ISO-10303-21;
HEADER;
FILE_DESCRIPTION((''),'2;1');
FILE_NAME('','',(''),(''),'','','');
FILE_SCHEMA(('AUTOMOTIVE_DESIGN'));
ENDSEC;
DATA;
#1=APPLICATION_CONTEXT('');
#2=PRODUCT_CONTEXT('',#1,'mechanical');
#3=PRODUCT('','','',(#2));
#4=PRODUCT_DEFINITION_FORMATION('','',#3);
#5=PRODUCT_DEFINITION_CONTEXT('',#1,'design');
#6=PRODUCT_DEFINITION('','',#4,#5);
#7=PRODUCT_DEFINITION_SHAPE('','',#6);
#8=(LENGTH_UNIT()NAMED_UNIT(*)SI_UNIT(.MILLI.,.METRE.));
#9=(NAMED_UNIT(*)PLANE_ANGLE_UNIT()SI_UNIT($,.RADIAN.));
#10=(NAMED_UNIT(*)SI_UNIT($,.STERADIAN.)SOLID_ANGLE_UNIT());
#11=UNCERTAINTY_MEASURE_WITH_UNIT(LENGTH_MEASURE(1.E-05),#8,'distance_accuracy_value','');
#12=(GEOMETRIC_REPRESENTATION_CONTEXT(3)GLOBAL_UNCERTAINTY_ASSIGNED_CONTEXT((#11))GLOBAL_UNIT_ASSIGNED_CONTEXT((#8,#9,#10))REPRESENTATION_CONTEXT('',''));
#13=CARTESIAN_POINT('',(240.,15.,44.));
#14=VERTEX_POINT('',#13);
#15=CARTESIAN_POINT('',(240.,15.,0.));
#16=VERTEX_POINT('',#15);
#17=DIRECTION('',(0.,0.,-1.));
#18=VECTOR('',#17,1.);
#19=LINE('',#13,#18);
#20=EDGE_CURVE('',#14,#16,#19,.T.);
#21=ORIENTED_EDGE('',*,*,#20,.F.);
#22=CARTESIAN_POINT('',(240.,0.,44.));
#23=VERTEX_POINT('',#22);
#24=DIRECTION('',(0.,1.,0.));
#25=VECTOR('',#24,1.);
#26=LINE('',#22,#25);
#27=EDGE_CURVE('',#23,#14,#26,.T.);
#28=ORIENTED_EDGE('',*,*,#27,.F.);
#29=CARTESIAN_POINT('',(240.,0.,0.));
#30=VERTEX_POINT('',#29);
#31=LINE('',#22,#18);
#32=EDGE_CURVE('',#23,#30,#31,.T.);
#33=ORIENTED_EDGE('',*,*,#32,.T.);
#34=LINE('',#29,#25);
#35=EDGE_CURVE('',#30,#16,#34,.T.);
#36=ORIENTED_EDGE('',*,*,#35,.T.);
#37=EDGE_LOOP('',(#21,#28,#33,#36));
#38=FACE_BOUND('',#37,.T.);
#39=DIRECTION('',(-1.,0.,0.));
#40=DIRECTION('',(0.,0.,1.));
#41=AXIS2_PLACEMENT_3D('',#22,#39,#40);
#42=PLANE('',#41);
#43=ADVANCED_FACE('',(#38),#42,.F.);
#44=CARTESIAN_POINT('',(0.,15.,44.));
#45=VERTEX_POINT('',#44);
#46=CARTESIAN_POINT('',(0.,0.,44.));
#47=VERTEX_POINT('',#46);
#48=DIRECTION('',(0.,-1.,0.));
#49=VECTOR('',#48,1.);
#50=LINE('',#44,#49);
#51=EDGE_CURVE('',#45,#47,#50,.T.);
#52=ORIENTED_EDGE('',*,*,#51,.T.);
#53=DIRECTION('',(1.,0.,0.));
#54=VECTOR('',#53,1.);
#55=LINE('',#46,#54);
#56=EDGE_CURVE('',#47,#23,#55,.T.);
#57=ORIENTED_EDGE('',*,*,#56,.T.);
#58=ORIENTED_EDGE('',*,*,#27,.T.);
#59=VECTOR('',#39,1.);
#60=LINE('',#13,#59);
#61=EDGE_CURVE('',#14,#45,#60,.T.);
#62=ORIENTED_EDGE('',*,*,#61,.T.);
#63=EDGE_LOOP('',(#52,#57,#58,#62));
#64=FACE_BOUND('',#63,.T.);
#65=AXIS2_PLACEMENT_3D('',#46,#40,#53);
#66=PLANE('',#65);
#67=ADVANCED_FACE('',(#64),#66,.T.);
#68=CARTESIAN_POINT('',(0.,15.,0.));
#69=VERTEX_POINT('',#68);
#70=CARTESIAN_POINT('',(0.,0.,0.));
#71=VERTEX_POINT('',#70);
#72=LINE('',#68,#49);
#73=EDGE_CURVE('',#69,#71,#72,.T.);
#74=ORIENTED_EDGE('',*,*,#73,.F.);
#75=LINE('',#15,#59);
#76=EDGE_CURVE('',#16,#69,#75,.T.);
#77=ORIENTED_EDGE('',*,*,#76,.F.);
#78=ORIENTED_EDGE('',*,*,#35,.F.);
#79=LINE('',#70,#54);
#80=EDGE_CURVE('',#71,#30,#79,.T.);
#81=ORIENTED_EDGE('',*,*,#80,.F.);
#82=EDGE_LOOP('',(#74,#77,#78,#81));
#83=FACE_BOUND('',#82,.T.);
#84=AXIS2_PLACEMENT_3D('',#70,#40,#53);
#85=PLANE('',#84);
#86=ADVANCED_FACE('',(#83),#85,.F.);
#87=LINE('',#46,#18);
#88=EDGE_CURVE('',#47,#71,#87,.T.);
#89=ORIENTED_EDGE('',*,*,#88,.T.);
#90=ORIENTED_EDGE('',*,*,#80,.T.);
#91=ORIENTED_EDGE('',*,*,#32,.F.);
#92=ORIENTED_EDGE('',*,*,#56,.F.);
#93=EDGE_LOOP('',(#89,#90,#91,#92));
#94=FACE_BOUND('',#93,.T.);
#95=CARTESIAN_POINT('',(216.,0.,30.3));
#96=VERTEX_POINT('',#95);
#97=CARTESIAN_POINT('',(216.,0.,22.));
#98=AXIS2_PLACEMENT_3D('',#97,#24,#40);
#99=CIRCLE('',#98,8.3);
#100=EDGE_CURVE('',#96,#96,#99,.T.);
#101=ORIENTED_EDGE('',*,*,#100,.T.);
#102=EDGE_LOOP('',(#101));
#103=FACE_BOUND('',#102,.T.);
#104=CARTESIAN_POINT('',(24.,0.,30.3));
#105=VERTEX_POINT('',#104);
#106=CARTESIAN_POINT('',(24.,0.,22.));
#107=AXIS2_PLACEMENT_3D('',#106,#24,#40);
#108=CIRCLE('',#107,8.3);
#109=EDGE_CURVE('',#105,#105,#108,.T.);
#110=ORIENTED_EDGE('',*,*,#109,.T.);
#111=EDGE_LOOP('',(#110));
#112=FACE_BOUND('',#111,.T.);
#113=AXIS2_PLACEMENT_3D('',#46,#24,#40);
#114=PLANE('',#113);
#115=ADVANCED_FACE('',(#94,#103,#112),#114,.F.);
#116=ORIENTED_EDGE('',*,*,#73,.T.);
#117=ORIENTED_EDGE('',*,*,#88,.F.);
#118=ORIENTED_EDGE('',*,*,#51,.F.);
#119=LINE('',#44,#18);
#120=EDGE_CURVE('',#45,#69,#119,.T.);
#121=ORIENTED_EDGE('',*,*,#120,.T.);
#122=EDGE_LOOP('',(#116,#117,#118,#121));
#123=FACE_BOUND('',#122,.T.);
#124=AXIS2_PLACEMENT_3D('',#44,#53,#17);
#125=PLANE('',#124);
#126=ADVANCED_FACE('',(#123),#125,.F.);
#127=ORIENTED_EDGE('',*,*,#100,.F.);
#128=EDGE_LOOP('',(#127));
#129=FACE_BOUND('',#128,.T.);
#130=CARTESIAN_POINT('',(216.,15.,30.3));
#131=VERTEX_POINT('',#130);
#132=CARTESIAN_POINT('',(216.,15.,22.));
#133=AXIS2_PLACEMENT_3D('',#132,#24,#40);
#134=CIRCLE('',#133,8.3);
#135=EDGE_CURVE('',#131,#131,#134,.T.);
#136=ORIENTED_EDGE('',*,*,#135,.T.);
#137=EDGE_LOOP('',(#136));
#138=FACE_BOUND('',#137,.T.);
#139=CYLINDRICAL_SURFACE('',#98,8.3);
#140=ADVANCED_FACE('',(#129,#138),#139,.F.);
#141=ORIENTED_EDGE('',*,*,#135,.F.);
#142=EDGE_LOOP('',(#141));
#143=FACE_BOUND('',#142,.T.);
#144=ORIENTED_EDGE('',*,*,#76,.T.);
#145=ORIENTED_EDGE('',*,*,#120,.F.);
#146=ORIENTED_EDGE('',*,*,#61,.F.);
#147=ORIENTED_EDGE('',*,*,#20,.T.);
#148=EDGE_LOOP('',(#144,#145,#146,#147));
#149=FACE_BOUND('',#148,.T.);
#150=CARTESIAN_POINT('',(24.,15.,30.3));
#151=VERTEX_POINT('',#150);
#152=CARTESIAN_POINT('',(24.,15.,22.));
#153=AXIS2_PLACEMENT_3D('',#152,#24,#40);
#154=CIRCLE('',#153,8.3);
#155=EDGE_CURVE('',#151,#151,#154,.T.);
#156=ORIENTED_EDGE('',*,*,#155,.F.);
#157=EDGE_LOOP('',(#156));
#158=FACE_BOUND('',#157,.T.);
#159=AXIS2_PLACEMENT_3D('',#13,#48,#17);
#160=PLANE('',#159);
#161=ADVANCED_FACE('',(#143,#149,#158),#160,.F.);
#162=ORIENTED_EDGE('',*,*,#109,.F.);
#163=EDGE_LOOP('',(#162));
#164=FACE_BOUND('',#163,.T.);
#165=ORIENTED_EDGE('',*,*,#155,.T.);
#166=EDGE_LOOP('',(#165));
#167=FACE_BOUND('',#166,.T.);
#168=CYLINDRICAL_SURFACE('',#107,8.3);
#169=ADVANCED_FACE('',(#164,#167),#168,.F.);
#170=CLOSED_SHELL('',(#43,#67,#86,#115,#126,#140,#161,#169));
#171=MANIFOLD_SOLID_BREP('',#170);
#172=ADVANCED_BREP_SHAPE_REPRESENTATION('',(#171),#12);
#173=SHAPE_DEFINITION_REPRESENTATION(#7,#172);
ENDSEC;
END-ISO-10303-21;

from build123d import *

# Parameters (mm, degrees)
SKETCH_1_W          = 240
SKETCH_1_H          = 15
TOP_BEAM_DEPTH      = 44
SKETCH_2_R          = 8.3
SCREW_PASSAGE_DEPTH = 245.460630777
SKETCH_3_R          = 8.3
CUT_EXTRUDE_2_DEPTH = 245.460630777


with BuildPart() as part:
    # 草图1 → Top_beam (new body)
    with BuildSketch(Plane.XY):
        with Locations((120, 7.5)):
            Rectangle(SKETCH_1_W, SKETCH_1_H)
    extrude(amount=TOP_BEAM_DEPTH)

    # 草图2 → Screw_passage (cut, through all)
    with BuildSketch(Plane(origin=(0, 15, 0), x_dir=(1, 0, 0), z_dir=(0, 1, 0))):
        with Locations(Location((24, -22, 0), (0, 0, 270))):
            Circle(SKETCH_2_R)
    extrude(amount=-SCREW_PASSAGE_DEPTH, mode=Mode.SUBTRACT)

    # 草图3 → 切除-拉伸2 (cut, through all)
    with BuildSketch(Plane(origin=(0, 15, 0), x_dir=(1, 0, 0), z_dir=(0, 1, 0))):
        with Locations(Location((216, -22, 0), (0, 0, 270))):
            Circle(SKETCH_3_R)
    extrude(amount=-CUT_EXTRUDE_2_DEPTH, mode=Mode.SUBTRACT)


solid = part.part
